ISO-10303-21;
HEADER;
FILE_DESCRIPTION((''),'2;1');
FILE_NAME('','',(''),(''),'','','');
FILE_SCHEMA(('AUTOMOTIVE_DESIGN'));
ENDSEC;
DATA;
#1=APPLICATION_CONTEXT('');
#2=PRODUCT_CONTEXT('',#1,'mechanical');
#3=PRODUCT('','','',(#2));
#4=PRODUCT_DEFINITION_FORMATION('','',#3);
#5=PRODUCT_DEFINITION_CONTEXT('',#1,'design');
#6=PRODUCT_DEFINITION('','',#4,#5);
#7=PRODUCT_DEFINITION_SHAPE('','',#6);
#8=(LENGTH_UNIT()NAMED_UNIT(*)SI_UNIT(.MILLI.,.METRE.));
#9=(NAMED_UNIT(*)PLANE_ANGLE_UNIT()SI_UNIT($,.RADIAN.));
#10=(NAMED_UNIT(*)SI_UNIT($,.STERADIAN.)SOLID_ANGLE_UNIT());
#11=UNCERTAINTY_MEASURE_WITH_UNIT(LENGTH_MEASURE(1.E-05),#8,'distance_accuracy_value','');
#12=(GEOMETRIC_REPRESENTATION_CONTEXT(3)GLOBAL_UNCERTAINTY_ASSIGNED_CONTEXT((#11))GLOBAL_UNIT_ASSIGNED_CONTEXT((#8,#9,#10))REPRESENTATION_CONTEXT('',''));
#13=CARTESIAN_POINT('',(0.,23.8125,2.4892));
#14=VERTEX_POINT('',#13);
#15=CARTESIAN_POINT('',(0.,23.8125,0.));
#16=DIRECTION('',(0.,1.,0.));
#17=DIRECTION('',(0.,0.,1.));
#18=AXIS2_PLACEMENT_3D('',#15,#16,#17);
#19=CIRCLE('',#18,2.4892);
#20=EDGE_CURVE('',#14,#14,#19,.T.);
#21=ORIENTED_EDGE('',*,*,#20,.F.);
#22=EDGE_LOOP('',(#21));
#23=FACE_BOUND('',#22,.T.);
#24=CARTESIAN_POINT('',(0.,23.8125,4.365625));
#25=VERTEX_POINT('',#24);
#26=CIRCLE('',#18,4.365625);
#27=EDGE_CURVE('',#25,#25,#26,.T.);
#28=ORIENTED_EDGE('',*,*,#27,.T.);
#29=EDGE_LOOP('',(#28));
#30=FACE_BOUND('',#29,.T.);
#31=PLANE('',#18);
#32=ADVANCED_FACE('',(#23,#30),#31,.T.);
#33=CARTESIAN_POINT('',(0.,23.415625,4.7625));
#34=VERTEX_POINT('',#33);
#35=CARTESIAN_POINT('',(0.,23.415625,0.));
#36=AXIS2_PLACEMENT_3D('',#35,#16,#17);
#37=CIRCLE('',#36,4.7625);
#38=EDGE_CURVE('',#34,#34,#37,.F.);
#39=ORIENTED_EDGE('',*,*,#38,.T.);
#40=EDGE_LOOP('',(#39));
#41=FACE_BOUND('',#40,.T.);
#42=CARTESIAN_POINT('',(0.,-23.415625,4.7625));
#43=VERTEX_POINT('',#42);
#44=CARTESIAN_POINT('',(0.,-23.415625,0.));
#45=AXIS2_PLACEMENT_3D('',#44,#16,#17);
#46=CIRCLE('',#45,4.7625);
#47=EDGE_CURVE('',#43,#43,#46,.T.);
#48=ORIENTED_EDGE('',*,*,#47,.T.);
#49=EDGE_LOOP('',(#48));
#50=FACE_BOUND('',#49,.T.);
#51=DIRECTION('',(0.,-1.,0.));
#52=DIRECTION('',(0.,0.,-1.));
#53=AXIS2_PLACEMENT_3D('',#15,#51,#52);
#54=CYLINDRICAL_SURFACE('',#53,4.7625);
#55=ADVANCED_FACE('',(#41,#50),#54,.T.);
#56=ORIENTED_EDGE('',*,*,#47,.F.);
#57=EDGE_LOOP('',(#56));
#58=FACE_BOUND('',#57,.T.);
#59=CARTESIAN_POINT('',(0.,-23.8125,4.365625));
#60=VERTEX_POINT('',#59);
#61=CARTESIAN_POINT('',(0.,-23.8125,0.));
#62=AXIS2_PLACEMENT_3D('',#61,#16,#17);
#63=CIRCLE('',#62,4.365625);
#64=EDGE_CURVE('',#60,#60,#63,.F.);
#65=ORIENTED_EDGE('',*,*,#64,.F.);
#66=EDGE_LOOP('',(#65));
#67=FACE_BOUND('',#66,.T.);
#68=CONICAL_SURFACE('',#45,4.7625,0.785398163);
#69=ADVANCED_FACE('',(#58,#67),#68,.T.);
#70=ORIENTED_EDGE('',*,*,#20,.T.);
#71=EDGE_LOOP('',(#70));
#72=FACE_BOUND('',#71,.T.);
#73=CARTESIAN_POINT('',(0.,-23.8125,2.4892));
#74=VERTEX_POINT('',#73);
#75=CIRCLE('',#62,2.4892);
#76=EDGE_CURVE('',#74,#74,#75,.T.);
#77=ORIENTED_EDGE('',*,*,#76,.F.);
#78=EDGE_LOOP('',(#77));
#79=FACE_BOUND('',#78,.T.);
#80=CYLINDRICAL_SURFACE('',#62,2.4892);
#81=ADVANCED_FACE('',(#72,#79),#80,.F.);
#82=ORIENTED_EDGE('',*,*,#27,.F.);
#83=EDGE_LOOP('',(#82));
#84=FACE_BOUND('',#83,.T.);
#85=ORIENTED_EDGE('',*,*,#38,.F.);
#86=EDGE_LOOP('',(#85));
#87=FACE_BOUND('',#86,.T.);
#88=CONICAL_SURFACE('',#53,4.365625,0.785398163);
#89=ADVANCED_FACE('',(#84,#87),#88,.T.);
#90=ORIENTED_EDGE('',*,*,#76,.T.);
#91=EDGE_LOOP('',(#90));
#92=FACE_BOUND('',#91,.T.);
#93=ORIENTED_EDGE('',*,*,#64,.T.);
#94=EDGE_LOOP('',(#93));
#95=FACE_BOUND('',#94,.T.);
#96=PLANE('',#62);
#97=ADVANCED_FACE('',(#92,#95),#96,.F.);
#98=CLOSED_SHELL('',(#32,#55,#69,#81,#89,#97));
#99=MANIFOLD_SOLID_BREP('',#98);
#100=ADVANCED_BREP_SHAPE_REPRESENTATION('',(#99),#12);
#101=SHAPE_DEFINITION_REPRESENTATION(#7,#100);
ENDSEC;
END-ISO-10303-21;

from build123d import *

# Parameters (mm, degrees)
CROQUIS2_R                = 4.7625
SALIENTE_EXTRUIR1_DEPTH   = 23.8125
CHAFL_N1_SIZE             = 0.396875
CLEARANCE_HOLE_DEPTH      = 25.746675913
CLEARANCE_HOLE_DEPTH_BACK = 25.746675913
CROQUIS4_R                = 2.4892


with BuildPart() as part:
    # Croquis2 → Saliente-Extruir1 (new, symmetric)
    with BuildSketch(Plane(origin=(0, 0, 0), x_dir=(1, 0, 0), z_dir=(0, 1, 0))):
        Circle(CROQUIS2_R)
    extrude(amount=SALIENTE_EXTRUIR1_DEPTH, both=True)

    # Chaflán1
    chafl_n1_edges = [part.edges().sort_by_distance(p)[0] for p in [
        (-4.7625, -23.8125, 0),
        (-4.7625, 23.8125, 0),
    ]]
    chamfer(chafl_n1_edges, length=CHAFL_N1_SIZE)

    # Croquis4 → Clearance Hole (cut, two sides: drawn at the far end of the back side and taken through both)
    with BuildSketch(Plane(origin=(0, 0, 0), x_dir=(1, 0, 0), z_dir=(0, 1, 0)).offset(-CLEARANCE_HOLE_DEPTH_BACK)):
        Circle(CROQUIS4_R)
    extrude(amount=CLEARANCE_HOLE_DEPTH + CLEARANCE_HOLE_DEPTH_BACK, mode=Mode.SUBTRACT)


solid = part.part
